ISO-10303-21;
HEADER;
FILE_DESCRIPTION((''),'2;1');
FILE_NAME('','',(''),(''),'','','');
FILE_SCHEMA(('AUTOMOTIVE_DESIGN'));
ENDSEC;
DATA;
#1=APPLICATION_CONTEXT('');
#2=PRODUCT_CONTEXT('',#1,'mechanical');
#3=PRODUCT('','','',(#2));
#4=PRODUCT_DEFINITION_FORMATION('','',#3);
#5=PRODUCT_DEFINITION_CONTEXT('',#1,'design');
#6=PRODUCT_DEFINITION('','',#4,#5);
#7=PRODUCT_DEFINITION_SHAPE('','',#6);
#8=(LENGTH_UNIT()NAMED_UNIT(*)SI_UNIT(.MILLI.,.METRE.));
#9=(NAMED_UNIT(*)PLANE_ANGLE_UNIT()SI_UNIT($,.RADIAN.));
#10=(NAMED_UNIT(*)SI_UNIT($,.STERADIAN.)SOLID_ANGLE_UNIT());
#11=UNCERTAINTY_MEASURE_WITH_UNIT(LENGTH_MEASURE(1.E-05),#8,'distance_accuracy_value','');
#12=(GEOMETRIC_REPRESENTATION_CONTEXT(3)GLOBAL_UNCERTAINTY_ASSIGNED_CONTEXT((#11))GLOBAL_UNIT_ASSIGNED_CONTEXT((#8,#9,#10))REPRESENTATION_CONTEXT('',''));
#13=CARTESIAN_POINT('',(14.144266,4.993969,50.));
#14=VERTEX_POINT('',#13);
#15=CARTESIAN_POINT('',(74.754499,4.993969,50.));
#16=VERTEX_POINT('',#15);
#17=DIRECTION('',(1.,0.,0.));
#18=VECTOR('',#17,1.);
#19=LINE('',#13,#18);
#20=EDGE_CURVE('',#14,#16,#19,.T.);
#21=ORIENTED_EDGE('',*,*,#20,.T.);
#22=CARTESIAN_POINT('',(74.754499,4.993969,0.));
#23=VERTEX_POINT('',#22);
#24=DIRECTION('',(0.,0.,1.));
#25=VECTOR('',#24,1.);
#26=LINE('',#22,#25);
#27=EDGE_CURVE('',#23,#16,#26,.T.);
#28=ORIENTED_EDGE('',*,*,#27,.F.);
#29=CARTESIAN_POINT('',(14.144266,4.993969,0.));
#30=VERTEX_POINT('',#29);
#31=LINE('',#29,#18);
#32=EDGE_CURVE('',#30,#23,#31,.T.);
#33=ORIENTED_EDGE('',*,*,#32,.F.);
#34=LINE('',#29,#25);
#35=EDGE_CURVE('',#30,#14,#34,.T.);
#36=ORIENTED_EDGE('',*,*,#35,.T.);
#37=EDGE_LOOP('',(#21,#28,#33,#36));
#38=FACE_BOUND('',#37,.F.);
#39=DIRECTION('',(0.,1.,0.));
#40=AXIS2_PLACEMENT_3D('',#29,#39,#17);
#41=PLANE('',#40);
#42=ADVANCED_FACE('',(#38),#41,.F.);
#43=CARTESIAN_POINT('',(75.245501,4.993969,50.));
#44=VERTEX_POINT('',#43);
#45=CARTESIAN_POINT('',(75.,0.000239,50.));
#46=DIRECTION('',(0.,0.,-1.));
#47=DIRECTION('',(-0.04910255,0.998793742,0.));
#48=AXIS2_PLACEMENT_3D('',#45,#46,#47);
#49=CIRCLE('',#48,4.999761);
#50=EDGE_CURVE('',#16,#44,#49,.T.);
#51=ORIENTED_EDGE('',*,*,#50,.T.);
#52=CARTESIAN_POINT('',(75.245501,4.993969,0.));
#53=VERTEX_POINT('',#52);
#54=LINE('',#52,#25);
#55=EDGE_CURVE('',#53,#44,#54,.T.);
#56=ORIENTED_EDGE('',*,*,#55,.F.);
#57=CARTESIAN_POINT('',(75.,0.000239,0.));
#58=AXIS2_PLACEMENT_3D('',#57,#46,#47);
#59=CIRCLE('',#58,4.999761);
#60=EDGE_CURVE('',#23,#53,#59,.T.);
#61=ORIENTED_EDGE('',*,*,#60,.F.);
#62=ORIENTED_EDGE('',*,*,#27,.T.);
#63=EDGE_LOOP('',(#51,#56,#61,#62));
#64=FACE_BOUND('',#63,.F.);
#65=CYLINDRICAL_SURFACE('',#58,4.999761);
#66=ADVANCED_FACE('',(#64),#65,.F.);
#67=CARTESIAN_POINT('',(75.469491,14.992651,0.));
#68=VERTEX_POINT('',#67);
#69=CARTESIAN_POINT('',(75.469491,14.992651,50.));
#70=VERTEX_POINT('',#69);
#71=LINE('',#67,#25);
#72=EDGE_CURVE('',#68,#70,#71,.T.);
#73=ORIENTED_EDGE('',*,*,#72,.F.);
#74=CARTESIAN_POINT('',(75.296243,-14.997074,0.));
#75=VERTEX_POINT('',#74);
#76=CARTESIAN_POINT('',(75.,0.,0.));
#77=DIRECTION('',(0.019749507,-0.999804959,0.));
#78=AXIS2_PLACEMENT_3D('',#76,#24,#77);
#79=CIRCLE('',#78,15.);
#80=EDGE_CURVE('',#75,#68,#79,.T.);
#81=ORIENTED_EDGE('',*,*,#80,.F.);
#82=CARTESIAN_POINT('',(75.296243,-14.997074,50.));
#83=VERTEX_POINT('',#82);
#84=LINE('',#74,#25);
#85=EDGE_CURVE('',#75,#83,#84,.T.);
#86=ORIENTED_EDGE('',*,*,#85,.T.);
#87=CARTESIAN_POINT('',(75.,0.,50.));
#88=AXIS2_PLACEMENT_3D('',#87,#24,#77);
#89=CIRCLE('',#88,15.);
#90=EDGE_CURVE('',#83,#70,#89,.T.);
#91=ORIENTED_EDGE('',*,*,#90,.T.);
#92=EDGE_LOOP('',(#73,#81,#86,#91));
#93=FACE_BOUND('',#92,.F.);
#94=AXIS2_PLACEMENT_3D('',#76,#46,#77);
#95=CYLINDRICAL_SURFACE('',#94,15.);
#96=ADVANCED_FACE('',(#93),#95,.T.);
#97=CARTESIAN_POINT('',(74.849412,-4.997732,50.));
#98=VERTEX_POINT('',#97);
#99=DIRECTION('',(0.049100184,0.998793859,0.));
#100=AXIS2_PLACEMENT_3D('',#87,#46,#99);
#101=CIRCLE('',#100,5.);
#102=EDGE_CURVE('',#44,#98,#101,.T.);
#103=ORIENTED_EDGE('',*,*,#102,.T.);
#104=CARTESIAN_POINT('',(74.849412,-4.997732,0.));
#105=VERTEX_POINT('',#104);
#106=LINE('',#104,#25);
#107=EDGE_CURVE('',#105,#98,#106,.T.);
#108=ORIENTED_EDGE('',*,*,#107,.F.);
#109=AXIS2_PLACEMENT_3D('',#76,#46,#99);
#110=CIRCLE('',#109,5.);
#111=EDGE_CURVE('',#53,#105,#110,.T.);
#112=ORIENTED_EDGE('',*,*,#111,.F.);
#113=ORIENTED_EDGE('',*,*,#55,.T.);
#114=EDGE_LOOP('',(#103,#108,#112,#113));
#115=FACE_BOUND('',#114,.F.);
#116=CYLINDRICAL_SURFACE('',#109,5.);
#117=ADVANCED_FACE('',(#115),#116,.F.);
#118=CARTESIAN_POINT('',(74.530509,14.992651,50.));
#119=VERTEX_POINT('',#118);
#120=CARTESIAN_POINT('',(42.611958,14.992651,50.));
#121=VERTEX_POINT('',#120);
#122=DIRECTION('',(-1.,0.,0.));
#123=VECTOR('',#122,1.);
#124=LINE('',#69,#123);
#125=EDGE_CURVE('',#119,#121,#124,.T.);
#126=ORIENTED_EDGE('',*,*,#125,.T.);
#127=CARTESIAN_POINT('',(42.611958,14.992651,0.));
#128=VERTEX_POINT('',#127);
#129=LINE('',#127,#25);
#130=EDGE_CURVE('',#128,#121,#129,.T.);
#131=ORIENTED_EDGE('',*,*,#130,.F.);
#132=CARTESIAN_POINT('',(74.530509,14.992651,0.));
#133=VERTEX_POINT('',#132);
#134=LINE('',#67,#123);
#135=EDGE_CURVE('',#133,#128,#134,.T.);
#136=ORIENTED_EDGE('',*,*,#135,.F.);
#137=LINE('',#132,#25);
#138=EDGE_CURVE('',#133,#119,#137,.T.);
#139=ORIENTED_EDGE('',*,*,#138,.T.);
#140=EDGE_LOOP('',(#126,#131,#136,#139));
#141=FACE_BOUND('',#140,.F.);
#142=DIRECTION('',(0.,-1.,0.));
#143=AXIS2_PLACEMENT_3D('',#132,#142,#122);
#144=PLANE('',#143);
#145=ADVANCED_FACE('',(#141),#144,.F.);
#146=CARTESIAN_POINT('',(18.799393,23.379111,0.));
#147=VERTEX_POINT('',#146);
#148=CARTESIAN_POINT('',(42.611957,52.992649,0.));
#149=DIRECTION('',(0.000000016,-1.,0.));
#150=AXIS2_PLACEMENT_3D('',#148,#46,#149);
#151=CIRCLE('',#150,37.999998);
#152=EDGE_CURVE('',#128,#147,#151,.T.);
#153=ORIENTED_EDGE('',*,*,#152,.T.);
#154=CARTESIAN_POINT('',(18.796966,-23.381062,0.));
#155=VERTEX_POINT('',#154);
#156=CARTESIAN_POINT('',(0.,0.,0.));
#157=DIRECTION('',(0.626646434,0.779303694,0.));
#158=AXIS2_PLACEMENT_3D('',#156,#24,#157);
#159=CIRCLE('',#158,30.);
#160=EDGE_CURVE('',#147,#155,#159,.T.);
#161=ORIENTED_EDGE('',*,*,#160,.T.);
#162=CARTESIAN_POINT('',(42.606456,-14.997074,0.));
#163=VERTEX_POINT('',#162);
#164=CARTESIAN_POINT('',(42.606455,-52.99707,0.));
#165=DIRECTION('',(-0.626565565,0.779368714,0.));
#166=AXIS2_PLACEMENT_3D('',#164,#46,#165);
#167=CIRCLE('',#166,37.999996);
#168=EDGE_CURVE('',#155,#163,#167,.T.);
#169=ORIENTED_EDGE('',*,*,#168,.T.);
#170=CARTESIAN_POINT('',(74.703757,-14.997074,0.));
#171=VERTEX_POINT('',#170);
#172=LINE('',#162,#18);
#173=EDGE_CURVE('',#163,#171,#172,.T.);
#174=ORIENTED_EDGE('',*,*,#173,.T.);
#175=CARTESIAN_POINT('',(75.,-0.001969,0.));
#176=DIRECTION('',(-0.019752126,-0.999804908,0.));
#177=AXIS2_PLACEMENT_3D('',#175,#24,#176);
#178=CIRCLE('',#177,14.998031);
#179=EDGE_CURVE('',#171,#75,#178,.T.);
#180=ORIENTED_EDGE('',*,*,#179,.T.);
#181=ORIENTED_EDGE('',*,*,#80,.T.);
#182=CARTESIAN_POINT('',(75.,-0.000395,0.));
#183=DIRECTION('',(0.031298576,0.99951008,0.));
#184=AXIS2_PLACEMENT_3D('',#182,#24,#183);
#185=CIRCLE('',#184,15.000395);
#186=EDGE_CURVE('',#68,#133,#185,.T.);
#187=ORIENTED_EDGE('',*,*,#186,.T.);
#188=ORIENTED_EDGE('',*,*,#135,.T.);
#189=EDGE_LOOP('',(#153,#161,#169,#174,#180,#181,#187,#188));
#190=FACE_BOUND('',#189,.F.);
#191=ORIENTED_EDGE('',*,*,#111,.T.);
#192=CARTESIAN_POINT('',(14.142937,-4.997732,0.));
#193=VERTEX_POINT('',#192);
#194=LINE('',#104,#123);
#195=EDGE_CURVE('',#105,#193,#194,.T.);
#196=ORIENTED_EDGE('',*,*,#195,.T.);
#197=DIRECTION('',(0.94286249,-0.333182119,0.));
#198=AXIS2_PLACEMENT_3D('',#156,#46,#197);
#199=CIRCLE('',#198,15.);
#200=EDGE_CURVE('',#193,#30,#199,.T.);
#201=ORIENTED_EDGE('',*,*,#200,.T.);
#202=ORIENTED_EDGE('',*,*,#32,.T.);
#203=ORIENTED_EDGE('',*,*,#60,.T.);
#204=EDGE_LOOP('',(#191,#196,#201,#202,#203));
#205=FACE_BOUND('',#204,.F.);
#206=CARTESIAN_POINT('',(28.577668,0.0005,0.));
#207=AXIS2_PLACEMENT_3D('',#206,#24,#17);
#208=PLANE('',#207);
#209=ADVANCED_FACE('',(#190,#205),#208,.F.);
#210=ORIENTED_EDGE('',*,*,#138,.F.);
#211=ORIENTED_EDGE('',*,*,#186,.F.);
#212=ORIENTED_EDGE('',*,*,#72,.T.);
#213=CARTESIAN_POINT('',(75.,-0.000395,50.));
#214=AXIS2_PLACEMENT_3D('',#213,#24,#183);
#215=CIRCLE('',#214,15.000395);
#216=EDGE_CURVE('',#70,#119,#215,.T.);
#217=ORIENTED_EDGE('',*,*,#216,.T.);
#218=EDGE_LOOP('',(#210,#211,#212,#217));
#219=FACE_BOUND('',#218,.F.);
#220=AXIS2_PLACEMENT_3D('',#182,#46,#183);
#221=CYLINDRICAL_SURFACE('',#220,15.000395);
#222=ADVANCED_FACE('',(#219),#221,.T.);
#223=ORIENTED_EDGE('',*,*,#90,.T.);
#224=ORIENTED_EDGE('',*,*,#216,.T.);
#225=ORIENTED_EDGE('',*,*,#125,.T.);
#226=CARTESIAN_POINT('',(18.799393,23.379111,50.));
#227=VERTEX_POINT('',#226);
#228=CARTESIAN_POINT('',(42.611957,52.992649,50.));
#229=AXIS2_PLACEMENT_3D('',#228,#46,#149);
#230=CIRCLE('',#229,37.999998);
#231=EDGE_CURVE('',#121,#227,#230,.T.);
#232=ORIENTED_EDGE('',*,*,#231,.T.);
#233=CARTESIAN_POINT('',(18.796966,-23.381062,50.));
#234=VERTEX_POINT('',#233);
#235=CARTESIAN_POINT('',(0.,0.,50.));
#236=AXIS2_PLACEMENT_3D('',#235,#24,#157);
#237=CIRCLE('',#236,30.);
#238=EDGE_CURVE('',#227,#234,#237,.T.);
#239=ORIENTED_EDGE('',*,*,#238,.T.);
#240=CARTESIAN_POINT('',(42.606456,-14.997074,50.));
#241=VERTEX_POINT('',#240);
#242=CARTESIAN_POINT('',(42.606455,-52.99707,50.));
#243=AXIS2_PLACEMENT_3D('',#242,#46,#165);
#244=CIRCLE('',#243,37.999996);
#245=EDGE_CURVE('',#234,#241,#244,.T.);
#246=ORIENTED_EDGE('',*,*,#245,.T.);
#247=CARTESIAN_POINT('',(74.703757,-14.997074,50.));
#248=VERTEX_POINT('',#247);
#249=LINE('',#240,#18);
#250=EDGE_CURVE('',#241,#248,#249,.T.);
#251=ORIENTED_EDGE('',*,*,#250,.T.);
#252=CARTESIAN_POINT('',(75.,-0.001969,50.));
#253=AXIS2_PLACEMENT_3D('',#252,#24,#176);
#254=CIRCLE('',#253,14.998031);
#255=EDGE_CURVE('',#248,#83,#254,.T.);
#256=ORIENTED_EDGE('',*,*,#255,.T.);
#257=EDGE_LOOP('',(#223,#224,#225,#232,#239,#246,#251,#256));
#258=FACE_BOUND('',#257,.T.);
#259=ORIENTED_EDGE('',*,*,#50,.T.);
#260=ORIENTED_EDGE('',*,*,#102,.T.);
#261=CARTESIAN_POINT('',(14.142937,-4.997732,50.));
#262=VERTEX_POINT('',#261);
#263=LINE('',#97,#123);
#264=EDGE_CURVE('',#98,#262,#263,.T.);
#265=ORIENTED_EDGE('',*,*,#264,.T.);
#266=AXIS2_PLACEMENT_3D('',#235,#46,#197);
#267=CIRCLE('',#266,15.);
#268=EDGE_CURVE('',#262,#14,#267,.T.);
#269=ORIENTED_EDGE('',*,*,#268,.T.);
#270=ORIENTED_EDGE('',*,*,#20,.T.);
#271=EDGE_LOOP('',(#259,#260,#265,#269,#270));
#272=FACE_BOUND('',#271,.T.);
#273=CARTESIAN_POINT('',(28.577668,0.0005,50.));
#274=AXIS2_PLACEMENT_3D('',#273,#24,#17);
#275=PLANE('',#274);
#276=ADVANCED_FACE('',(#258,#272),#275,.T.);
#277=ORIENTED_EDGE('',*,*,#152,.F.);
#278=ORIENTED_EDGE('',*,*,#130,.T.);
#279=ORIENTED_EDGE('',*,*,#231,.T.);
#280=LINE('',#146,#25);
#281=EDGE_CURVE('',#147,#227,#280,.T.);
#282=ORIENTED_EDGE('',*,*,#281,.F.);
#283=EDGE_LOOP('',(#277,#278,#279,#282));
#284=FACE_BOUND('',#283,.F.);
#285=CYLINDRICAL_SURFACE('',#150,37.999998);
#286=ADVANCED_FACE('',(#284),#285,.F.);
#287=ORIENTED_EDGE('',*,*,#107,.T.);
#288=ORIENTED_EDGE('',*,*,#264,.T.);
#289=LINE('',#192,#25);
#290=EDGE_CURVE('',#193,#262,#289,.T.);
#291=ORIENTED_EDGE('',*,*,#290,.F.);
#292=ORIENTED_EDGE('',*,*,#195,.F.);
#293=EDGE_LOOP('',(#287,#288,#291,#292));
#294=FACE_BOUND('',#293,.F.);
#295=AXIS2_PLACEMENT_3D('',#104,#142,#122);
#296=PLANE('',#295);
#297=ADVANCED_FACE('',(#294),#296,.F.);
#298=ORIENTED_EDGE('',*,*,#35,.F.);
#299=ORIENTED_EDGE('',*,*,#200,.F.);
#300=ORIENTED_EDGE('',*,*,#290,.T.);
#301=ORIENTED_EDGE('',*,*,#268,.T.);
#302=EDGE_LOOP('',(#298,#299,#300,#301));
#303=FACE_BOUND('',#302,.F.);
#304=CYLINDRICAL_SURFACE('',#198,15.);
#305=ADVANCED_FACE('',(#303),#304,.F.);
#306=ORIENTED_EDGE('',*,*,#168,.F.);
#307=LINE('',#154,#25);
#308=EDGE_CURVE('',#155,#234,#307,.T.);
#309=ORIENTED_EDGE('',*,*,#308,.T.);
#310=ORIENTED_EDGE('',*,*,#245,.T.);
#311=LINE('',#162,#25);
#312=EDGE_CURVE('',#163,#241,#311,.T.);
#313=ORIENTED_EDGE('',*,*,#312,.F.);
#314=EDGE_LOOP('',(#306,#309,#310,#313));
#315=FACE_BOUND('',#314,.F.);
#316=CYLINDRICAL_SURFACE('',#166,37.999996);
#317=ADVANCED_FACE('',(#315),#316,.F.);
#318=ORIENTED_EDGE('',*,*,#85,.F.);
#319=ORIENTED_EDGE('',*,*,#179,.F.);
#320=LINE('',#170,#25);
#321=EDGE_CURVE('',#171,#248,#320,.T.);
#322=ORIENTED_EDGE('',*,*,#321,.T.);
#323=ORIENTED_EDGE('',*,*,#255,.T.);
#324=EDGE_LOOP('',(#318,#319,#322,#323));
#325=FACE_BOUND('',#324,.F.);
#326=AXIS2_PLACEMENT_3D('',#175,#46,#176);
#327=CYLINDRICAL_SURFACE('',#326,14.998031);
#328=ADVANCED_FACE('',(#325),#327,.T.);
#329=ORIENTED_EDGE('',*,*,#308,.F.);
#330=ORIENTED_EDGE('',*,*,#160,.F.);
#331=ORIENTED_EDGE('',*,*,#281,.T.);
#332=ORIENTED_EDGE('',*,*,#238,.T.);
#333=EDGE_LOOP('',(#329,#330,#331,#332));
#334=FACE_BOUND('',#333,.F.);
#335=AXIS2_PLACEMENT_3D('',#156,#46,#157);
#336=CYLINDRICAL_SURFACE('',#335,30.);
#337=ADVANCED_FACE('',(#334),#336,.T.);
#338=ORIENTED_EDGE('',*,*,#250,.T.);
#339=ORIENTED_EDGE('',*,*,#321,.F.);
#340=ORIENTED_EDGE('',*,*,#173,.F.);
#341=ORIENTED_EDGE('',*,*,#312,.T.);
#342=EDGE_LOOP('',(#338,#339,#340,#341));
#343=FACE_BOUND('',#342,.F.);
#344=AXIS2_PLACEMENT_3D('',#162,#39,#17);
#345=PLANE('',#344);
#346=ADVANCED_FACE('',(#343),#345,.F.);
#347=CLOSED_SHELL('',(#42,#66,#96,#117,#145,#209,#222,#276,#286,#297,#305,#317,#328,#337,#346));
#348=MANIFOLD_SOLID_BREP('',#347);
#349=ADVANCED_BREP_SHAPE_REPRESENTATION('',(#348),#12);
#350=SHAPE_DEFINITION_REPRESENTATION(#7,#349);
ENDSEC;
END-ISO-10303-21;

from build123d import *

# Parameters (mm, degrees)
F1_DEPTH = 50


with BuildPart() as f1:
    # F0 (on Top) → F1 (new body)
    with BuildSketch(Plane.XY):
        with BuildLine():
            ThreePointArc((42.611958, 14.992651), (29.988855, 17.150535), (18.799393, 23.379111))
            ThreePointArc((18.799393, 23.379111), (-30, 0.001557), (18.796966, -23.381062))
            ThreePointArc((18.796966, -23.381062), (29.985213, -17.154303), (42.606456, -14.997074))
            Line((42.606456, -14.997074), (74.703757, -14.997074))
            Line((74.703757, -14.997074), (75.296243, -14.997074))
            ThreePointArc((75.296243, -14.997074), (89.99975, -0.086652), (75.469491, 14.992651))
            Line((75.469491, 14.992651), (74.530509, 14.992651))
            Line((74.530509, 14.992651), (42.611958, 14.992651))
        make_face()
        with BuildLine():
            ThreePointArc((14.142937, -4.997732), (-15, 0.001995), (14.144266, 4.993969))
            Line((14.144266, 4.993969), (74.754499, 4.993969))
            ThreePointArc((74.754499, 4.993969), (75, 5), (75.245501, 4.993969))
            ThreePointArc((75.245501, 4.993969), (79.996076, -0.198053), (74.849412, -4.997732))
            Line((74.849412, -4.997732), (14.142937, -4.997732))
        make_face(mode=Mode.SUBTRACT)
        with BuildLine():
            ThreePointArc((75.469491, 14.992651), (75, 15), (74.530509, 14.992651))
            Line((74.530509, 14.992651), (75.469491, 14.992651))
        make_face()
        with BuildLine():
            Line((75.296243, -14.997074), (74.703757, -14.997074))
            ThreePointArc((74.703757, -14.997074), (75, -15), (75.296243, -14.997074))
        make_face()
    extrude(amount=F1_DEPTH)


solid = f1.part
